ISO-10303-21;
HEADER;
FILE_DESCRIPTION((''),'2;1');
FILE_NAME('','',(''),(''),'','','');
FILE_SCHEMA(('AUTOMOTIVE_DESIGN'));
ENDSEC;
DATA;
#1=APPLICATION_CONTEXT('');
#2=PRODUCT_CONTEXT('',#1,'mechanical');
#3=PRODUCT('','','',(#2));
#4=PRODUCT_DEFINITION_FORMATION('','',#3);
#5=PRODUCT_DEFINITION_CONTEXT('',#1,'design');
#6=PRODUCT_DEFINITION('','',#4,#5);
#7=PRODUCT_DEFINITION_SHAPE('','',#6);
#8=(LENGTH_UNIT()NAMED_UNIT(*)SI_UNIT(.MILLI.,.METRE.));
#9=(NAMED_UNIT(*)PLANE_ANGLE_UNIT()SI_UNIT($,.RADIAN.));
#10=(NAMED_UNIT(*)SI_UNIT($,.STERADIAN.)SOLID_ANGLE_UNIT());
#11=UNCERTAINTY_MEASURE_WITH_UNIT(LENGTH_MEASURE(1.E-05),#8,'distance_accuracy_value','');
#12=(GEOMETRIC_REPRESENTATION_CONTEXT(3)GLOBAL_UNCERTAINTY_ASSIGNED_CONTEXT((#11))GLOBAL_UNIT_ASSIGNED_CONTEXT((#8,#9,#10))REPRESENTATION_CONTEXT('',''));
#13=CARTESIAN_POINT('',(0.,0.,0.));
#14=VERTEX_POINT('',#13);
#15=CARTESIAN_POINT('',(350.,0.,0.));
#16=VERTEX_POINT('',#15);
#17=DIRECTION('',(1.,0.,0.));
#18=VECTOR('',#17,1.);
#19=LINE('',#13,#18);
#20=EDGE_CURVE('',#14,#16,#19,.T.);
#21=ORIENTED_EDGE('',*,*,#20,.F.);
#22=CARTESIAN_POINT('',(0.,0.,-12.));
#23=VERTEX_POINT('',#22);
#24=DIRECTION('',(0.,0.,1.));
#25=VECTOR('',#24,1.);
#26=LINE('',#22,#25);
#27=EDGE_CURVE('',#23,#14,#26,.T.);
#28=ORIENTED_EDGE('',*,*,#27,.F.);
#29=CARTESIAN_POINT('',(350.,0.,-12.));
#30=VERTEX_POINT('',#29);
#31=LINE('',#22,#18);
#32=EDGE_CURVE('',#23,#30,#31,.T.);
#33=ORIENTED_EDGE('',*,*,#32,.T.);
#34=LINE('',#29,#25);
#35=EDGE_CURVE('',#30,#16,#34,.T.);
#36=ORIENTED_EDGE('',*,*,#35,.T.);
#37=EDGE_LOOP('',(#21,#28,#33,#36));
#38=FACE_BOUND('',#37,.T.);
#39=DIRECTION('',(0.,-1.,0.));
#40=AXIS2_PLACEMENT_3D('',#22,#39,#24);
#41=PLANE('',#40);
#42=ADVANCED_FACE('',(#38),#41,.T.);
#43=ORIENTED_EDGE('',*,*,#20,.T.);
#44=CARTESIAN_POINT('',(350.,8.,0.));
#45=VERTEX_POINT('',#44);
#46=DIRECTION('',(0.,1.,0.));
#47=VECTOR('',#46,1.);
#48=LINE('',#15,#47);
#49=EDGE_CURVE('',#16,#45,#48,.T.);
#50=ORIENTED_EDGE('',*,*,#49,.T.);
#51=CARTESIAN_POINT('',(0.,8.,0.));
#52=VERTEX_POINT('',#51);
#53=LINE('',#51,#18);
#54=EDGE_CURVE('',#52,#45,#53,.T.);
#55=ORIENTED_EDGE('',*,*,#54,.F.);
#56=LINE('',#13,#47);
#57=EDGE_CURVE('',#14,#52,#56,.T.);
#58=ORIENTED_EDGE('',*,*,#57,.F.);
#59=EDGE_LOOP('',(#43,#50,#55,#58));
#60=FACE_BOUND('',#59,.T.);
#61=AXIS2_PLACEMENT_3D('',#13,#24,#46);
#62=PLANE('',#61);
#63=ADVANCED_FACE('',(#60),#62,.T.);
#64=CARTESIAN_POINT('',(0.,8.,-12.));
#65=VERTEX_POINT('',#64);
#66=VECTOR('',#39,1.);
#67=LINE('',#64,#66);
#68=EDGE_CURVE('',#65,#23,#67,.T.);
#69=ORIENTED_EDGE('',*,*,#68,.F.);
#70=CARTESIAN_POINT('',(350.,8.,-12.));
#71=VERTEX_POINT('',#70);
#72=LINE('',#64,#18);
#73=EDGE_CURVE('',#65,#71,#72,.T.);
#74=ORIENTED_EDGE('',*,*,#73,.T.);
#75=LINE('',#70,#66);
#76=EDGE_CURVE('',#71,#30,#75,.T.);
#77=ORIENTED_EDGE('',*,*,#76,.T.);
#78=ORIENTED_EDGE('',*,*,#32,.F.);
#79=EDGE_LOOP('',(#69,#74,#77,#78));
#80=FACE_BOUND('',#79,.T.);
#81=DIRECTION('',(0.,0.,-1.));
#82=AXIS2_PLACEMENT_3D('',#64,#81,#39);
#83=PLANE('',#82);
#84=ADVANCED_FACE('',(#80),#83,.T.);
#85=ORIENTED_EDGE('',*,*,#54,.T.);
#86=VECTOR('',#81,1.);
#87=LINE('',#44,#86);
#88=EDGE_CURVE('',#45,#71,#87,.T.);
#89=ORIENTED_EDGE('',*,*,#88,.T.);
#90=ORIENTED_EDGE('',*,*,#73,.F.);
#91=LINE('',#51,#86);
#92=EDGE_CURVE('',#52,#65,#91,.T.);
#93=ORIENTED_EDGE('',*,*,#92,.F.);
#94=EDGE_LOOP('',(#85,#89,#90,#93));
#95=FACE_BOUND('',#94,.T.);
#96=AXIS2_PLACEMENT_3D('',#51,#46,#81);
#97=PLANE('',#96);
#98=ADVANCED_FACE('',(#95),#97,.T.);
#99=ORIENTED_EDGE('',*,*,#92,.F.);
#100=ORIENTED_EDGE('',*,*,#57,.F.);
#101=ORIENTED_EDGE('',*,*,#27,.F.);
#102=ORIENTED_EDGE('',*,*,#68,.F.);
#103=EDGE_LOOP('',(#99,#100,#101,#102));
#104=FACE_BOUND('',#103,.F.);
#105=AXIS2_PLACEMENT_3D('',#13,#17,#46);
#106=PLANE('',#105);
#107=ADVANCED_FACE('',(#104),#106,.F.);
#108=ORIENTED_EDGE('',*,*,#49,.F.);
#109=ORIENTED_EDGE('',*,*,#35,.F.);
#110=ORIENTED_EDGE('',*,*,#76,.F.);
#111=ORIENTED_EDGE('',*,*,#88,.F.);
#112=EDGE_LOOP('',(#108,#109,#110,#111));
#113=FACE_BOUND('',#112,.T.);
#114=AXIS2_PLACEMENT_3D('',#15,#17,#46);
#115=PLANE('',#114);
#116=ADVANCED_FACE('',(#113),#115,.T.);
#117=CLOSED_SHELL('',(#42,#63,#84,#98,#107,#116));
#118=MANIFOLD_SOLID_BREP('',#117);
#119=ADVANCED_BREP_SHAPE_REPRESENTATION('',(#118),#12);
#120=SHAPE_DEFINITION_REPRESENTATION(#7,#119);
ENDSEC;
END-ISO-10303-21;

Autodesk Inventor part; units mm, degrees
ref_plane "YZ Plane" through (0, 0, 0) normal (1, 0, 0) x (0, 1, 0)
ref_plane "XZ Plane" through (0, 0, 0) normal (0, 1, 0) x (-1, 0, 0)
ref_plane "XY Plane" through (0, 0, 0) normal (0, 0, 1) x (1, 0, 0)
sketch "Sketch1" plane through (0, 0, 0) normal (1, 0, 0) x (0, 1, 0)
  line L0 (0, 0) -> (8, 0)
  line L1 (8, 0) -> (8, -12)
  line L2 (8, -12) -> (0, -12)
  line L3 (0, -12) -> (0, 0)
  dimension "d0" = 12
  dimension "d1" = 8
extrude "Extrusion1" add sketch "Sketch1" along normal blind 350
properties part number "Linear_Rail_Basic"
